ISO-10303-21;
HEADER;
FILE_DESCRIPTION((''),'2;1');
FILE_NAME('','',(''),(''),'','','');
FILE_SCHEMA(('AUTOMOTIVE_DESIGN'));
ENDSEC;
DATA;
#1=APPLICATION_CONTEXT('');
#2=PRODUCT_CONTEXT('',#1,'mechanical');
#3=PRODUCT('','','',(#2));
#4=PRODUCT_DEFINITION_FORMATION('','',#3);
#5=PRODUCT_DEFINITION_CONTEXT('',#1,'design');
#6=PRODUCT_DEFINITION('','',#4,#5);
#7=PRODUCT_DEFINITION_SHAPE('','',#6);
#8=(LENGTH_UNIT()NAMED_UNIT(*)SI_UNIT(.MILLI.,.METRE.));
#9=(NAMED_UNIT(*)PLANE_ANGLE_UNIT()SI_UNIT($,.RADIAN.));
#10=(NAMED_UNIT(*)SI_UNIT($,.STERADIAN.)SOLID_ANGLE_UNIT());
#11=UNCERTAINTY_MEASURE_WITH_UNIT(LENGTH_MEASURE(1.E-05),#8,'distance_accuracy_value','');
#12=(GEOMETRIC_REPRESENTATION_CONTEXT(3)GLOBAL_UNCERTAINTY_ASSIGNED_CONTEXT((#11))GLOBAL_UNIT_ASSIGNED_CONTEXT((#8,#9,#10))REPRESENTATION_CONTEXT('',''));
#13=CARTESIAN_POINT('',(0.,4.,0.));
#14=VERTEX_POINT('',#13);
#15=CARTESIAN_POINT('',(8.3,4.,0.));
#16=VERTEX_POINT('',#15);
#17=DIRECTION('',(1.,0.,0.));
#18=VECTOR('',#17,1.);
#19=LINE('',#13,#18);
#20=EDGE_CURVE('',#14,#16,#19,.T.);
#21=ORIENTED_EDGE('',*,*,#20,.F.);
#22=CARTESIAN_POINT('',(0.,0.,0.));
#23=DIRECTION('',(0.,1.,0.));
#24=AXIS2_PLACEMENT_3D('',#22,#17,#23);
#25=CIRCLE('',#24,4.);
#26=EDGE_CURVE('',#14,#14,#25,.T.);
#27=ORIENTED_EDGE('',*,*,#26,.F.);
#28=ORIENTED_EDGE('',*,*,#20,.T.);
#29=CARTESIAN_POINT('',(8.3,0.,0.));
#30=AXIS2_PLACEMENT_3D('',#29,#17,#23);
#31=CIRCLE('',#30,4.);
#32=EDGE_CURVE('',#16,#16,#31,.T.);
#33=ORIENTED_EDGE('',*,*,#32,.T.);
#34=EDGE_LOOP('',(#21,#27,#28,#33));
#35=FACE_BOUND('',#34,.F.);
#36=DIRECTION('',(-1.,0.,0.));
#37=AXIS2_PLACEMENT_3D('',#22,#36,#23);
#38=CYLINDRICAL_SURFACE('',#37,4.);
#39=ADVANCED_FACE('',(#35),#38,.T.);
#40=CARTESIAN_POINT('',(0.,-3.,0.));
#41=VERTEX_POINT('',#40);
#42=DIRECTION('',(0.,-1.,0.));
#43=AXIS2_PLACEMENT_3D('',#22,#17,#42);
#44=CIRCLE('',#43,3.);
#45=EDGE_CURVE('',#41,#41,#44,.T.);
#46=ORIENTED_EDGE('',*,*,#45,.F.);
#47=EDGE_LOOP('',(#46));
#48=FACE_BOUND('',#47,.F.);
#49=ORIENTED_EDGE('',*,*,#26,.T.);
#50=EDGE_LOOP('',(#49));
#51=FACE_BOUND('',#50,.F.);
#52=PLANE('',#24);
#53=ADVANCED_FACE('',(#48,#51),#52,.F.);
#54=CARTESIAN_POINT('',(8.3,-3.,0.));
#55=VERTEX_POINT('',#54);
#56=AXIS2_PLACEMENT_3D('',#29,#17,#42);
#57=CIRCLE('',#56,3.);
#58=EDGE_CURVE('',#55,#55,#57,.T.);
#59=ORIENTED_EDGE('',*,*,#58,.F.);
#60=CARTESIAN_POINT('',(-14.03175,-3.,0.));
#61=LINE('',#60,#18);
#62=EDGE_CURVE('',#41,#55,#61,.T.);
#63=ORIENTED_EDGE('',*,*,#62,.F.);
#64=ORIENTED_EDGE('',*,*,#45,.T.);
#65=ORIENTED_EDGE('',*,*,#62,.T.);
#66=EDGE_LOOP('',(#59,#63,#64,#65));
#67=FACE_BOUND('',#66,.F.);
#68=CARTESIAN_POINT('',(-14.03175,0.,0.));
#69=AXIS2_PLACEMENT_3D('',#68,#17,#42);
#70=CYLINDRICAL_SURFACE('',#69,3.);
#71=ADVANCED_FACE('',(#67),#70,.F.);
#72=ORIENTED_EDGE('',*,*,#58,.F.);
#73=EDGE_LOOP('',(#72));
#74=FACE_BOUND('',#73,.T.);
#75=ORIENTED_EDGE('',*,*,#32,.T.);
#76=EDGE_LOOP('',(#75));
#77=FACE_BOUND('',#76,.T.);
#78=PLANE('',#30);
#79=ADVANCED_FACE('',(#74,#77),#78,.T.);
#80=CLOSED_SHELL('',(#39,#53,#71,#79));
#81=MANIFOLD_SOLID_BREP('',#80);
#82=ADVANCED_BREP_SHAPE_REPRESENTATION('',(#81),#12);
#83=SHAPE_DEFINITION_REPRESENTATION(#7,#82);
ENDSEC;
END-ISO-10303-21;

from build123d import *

# Parameters (mm, degrees)
F0_R     = 4
F1_DEPTH = 8.3
F2_D     = 6


with BuildPart() as f1:
    # F0 (on Right) → F1 (new body)
    with BuildSketch(Plane.YZ):
        Circle(F0_R)
    extrude(amount=F1_DEPTH)

    # F2 (through all)
    with Locations(Plane(origin=(0, 0, 0), x_dir=(0, 1, 0), z_dir=(-1, 0, 0))):
        with Locations((0, 0)):
            Hole(F2_D / 2)


solid = f1.part
